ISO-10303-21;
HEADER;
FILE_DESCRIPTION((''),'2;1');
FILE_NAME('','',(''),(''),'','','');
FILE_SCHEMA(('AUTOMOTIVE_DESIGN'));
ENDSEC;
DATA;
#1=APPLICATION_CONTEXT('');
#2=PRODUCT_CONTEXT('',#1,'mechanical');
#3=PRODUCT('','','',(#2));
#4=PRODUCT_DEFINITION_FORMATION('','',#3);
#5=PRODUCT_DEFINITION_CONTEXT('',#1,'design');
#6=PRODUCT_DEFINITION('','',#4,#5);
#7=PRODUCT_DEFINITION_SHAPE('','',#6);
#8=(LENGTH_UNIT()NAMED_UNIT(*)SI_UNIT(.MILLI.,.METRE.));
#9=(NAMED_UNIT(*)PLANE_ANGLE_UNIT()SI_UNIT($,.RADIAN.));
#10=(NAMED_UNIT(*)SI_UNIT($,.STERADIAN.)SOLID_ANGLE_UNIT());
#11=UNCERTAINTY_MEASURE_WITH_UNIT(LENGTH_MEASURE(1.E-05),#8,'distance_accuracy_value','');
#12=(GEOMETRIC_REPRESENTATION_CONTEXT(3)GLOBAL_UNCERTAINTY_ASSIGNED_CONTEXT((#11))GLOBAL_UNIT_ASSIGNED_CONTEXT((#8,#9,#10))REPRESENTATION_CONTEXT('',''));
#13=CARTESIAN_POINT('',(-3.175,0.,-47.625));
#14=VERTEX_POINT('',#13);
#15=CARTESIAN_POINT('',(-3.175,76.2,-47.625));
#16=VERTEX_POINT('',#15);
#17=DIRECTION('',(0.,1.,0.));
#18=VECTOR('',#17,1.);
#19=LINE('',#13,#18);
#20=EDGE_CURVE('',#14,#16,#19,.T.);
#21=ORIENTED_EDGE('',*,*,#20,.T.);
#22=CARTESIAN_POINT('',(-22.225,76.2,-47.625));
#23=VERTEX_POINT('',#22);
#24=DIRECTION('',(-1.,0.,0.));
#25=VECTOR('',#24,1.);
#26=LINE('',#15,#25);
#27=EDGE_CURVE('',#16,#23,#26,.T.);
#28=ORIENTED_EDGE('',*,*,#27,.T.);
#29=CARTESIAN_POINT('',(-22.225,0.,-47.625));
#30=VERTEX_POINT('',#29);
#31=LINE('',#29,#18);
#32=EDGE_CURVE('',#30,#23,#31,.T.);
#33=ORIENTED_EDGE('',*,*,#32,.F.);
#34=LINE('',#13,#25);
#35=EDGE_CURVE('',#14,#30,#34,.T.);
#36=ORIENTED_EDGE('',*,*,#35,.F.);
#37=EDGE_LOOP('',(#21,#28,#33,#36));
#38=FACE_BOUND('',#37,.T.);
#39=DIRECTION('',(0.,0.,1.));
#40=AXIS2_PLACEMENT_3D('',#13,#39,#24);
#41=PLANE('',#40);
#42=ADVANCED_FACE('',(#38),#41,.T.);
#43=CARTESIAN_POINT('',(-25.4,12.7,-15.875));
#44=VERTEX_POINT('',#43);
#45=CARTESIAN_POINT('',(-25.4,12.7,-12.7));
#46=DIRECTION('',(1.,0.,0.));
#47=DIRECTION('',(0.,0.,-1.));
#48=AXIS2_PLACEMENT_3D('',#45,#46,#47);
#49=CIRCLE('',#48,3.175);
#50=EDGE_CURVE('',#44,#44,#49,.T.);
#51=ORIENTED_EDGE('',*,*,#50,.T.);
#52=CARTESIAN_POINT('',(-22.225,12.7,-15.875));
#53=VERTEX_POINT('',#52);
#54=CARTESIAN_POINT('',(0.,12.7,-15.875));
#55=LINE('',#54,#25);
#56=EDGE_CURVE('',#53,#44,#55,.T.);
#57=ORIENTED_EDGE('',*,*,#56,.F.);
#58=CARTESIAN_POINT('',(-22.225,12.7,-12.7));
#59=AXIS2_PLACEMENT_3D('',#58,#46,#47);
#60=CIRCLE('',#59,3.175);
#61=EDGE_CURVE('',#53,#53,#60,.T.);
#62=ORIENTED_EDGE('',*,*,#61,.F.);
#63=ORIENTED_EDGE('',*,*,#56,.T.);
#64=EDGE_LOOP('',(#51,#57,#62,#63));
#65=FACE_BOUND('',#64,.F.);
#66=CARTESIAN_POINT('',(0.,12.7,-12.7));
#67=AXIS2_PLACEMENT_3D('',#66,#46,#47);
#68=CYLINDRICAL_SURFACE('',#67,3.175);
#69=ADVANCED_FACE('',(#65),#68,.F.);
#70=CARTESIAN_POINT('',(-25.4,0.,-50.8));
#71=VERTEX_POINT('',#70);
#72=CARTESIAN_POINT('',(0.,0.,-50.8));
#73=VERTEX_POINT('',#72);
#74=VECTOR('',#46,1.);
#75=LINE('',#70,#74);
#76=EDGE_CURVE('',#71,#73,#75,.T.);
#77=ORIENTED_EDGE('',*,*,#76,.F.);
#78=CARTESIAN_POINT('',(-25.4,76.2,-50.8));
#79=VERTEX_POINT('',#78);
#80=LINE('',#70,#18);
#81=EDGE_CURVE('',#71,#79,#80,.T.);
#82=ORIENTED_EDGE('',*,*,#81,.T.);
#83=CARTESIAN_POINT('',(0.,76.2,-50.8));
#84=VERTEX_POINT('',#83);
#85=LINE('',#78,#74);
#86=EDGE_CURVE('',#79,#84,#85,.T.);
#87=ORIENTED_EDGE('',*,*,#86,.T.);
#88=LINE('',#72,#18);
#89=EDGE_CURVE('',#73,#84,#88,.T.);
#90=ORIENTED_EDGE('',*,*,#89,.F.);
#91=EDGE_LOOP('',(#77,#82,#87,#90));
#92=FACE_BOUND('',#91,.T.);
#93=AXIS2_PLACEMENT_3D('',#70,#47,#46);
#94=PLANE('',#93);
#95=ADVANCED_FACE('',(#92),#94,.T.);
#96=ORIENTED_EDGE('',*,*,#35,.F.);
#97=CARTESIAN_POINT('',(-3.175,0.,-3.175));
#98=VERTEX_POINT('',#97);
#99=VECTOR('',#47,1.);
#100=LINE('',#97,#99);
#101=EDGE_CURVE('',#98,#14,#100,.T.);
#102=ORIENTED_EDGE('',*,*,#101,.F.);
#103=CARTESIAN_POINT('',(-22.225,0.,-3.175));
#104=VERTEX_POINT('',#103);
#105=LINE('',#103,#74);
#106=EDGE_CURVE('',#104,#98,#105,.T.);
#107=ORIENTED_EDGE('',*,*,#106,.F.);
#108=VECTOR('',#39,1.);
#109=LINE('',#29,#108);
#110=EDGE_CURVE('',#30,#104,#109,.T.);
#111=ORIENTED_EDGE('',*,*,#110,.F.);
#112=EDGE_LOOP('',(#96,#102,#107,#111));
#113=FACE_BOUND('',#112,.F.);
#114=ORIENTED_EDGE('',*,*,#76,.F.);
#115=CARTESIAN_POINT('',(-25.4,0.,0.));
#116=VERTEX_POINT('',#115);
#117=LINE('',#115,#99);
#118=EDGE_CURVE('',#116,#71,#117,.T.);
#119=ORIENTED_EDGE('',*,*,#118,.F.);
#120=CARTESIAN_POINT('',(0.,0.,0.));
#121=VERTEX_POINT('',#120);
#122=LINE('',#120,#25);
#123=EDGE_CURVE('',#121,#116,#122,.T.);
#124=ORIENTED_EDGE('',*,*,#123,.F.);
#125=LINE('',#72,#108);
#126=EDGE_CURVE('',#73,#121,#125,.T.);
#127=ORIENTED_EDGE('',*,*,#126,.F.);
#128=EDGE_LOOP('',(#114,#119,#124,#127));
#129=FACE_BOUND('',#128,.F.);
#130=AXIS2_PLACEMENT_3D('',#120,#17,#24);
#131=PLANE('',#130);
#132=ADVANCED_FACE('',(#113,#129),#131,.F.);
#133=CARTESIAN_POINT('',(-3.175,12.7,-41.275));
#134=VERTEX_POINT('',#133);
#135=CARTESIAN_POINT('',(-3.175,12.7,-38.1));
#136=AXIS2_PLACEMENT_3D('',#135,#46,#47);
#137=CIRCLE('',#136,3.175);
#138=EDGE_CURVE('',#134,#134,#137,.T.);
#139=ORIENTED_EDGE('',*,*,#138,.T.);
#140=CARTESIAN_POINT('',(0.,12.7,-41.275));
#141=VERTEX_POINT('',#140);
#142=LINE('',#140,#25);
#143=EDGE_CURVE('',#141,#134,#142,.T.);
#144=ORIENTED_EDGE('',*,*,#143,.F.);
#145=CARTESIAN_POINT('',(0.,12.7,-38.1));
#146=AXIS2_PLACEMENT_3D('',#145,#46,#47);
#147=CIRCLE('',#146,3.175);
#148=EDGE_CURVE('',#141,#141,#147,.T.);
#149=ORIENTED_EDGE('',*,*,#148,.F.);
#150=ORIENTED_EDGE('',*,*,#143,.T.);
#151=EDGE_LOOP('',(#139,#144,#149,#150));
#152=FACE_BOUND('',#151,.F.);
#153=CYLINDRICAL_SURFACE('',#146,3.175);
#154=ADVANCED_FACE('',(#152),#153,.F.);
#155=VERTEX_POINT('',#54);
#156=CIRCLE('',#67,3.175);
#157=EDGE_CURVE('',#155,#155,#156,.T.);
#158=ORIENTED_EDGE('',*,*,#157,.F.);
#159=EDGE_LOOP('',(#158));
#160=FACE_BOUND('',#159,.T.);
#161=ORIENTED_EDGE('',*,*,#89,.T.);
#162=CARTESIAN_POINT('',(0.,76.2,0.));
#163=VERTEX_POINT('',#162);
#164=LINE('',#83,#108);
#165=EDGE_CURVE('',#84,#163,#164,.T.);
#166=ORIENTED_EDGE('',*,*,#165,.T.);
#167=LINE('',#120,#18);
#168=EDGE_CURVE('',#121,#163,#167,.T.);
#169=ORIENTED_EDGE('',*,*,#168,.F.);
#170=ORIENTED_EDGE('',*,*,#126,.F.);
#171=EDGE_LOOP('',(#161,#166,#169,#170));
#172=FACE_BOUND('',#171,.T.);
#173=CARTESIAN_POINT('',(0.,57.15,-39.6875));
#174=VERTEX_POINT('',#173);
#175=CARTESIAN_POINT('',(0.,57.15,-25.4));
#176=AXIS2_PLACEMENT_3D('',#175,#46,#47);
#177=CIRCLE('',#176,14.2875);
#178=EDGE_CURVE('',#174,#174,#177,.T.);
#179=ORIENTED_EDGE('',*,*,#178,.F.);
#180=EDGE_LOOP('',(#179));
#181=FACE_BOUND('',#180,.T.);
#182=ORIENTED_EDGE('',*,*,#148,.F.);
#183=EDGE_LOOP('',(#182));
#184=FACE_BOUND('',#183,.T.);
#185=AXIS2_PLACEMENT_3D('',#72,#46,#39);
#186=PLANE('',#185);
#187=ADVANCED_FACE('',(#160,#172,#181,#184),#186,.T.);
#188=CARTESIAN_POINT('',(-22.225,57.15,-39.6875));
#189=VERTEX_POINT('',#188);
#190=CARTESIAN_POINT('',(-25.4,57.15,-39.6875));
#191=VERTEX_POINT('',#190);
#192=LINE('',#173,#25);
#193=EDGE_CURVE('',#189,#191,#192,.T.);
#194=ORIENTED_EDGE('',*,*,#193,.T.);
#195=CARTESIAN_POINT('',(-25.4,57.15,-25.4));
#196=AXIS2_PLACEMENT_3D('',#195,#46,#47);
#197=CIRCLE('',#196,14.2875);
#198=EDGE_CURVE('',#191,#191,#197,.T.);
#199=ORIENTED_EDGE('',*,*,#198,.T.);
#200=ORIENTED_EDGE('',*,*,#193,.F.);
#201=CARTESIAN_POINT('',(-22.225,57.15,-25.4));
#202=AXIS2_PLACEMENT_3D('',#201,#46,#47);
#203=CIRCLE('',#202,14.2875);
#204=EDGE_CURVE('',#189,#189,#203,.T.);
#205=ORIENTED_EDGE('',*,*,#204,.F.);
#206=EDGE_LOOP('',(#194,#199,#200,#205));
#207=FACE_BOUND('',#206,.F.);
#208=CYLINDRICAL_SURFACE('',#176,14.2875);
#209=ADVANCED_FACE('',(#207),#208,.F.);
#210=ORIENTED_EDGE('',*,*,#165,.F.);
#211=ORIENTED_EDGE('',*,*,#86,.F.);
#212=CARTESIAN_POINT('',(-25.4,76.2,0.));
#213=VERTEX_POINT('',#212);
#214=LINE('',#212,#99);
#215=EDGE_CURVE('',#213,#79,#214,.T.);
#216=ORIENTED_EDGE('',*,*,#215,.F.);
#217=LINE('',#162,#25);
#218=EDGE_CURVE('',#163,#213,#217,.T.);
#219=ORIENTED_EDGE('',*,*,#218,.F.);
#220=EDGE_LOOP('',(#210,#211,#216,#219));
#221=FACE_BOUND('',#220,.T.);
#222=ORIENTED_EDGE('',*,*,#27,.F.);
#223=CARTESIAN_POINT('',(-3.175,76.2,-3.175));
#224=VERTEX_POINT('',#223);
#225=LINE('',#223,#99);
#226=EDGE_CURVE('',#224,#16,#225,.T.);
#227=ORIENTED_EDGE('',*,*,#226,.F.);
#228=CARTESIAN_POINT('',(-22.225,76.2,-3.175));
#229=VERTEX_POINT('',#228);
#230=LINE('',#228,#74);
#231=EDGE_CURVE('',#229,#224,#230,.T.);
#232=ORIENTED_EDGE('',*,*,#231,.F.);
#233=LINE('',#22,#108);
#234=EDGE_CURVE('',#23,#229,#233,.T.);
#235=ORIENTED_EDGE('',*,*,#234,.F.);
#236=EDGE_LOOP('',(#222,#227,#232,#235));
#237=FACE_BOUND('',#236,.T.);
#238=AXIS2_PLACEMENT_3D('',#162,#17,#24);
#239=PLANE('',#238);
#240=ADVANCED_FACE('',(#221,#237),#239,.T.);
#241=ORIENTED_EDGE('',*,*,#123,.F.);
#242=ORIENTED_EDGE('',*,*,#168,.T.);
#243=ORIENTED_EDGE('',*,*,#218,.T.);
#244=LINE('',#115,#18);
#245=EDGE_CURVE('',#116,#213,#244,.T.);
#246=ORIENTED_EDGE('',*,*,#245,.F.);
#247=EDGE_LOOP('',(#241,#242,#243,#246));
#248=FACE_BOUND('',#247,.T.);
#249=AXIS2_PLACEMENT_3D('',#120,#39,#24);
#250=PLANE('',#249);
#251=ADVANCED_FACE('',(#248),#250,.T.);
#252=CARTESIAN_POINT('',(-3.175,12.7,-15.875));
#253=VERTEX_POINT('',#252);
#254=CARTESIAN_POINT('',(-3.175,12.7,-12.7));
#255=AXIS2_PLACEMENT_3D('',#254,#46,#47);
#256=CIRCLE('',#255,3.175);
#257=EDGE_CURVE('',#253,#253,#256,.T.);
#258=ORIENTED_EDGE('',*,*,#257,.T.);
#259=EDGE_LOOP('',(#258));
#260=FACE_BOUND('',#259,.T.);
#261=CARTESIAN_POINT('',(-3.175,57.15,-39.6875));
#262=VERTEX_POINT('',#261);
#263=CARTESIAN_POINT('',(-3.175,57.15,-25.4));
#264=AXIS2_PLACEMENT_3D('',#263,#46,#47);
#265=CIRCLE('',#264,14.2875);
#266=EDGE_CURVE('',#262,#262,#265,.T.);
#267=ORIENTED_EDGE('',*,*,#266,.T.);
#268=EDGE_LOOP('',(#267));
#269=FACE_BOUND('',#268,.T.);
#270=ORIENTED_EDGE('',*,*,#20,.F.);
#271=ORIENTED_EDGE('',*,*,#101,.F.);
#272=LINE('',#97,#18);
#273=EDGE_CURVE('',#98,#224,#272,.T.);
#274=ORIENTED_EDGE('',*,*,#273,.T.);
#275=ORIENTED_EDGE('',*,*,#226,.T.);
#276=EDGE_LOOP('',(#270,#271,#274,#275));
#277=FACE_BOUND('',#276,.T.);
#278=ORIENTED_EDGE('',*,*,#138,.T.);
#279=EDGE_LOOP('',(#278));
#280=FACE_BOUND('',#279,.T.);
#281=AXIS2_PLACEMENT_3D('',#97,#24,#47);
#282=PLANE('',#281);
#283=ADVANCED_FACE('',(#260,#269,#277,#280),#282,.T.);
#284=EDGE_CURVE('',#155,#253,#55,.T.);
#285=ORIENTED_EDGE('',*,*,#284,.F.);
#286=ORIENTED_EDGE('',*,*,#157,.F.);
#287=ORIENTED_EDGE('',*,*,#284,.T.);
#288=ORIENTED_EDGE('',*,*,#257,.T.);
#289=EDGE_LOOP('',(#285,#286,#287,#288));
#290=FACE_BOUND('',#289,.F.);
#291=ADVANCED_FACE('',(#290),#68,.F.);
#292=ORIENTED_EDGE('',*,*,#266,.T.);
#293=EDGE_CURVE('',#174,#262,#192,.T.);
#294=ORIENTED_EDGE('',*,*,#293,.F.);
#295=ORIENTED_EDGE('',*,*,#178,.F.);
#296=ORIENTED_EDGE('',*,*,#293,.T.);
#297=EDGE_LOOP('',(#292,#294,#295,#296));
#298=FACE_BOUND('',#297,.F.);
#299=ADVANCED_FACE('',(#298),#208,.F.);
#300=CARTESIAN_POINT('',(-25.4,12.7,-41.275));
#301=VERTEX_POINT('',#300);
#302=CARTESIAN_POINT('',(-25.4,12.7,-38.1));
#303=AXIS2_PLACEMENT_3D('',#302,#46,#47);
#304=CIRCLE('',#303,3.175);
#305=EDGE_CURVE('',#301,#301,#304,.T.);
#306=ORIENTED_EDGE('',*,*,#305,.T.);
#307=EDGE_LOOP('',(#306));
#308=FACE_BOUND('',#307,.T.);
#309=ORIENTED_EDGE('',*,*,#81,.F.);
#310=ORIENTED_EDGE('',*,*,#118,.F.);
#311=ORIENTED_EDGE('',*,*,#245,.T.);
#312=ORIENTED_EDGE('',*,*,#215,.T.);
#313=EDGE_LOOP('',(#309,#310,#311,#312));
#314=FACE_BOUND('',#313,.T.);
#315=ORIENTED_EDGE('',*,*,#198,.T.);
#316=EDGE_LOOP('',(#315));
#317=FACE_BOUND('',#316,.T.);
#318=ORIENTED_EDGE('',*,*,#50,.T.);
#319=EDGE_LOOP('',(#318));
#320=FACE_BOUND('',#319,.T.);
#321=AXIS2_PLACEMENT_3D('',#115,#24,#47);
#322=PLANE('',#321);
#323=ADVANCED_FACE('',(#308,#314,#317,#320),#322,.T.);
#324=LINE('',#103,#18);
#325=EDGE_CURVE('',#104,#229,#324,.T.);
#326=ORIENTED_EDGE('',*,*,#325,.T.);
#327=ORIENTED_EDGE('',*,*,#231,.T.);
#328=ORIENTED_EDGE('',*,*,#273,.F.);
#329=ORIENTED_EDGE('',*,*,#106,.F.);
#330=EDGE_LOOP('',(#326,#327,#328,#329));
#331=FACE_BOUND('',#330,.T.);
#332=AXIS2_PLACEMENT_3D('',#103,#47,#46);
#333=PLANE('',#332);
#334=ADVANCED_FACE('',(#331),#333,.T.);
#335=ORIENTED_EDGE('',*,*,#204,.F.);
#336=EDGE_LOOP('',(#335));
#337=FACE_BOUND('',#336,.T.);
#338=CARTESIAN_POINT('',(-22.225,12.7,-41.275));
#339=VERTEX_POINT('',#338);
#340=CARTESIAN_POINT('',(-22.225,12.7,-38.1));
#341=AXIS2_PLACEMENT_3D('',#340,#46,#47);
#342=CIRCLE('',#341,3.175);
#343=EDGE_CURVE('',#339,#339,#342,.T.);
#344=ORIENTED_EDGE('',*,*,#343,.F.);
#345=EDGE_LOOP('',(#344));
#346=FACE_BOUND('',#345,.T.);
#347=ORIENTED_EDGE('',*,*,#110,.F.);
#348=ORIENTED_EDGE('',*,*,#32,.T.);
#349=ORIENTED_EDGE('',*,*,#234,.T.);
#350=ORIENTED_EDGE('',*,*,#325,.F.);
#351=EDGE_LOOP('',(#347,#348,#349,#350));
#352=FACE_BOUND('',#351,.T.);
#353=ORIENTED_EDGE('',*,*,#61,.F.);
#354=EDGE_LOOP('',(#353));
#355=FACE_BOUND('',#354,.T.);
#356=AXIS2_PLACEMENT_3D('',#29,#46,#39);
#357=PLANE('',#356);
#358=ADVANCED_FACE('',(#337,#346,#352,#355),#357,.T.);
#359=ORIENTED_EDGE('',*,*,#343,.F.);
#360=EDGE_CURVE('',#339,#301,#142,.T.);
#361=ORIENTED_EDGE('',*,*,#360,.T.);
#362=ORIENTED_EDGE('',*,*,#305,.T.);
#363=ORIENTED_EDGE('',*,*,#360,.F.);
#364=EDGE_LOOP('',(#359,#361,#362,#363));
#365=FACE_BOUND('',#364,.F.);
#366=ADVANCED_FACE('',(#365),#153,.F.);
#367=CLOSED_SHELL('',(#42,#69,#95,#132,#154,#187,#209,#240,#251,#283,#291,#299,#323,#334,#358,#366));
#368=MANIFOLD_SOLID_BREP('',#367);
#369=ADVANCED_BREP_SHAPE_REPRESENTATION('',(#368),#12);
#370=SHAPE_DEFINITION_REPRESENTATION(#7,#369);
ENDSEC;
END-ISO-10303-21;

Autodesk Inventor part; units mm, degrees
ref_plane "YZ Plane" through (0, 0, 0) normal (1, 0, 0) x (0, 1, 0)
ref_plane "XZ Plane" through (0, 0, 0) normal (0, 1, 0) x (-1, 0, 0)
ref_plane "XY Plane" through (0, 0, 0) normal (0, 0, 1) x (1, 0, 0)
sketch "Sketch1" plane through (0, 0, 0) normal (0, 1, 0) x (-1, 0, 0)
  line L0 (0, 0) -> (25.4, 0)
  line L1 (25.4, 0) -> (25.4, -50.8)
  line L2 (25.4, -50.8) -> (0, -50.8)
  line L3 (0, -50.8) -> (0, 0)
  line L4 (22.225, -3.175) -> (3.175, -3.175)
  line L5 (3.175, -3.175) -> (3.175, -47.625)
  line L6 (3.175, -47.625) -> (22.225, -47.625)
  line L7 (22.225, -47.625) -> (22.225, -3.175)
  dimension "d0" = 50.8
  dimension "d1" = 25.4
  dimension "d2" = 3.175
  dimension "d3" = 3.175
  dimension "d4" = 3.175
  dimension "d5" = 3.175
extrude "Extrusion1" add sketch "Sketch1" along normal blind 76.2
sketch "Sketch2" plane through (0, 0, 0) normal (1, 0, 0) x (0, 0, -1)
  circle A0 centre (12.7, 12.7) radius 3.175
  circle A1 centre (38.1, 12.7) radius 3.175
  line L0 (50.8, 0) -> (0, 0) projected
  line L1 (0, 0) -> (0, 76.2) projected
  line L2 (50.8, 0) -> (50.8, 76.2) projected
  circle A2 centre (25.4, 57.15) radius 14.2875
  line L3 (0, 76.2) -> (50.8, 76.2) projected
  dimension "d8" = 12.7
  dimension "d9" = 6.35
  dimension "d10" = 12.7
  dimension "d11" = 12.7
  dimension "d12" = 12.7
  dimension "d13" = 6.35
  dimension "d14" = 28.575
  dimension "d15" = 19.05
  dimension "d16" = 25.4
extrude "Extrusion2" cut sketch "Sketch2" against normal blind 76.2 contours A0 | A1 | A2
equation "\"d3\" = d2"
equation "\"d4\" = d2"
equation "\"d5\" = d2"
properties part number "Hexshaft mount for 8020"
